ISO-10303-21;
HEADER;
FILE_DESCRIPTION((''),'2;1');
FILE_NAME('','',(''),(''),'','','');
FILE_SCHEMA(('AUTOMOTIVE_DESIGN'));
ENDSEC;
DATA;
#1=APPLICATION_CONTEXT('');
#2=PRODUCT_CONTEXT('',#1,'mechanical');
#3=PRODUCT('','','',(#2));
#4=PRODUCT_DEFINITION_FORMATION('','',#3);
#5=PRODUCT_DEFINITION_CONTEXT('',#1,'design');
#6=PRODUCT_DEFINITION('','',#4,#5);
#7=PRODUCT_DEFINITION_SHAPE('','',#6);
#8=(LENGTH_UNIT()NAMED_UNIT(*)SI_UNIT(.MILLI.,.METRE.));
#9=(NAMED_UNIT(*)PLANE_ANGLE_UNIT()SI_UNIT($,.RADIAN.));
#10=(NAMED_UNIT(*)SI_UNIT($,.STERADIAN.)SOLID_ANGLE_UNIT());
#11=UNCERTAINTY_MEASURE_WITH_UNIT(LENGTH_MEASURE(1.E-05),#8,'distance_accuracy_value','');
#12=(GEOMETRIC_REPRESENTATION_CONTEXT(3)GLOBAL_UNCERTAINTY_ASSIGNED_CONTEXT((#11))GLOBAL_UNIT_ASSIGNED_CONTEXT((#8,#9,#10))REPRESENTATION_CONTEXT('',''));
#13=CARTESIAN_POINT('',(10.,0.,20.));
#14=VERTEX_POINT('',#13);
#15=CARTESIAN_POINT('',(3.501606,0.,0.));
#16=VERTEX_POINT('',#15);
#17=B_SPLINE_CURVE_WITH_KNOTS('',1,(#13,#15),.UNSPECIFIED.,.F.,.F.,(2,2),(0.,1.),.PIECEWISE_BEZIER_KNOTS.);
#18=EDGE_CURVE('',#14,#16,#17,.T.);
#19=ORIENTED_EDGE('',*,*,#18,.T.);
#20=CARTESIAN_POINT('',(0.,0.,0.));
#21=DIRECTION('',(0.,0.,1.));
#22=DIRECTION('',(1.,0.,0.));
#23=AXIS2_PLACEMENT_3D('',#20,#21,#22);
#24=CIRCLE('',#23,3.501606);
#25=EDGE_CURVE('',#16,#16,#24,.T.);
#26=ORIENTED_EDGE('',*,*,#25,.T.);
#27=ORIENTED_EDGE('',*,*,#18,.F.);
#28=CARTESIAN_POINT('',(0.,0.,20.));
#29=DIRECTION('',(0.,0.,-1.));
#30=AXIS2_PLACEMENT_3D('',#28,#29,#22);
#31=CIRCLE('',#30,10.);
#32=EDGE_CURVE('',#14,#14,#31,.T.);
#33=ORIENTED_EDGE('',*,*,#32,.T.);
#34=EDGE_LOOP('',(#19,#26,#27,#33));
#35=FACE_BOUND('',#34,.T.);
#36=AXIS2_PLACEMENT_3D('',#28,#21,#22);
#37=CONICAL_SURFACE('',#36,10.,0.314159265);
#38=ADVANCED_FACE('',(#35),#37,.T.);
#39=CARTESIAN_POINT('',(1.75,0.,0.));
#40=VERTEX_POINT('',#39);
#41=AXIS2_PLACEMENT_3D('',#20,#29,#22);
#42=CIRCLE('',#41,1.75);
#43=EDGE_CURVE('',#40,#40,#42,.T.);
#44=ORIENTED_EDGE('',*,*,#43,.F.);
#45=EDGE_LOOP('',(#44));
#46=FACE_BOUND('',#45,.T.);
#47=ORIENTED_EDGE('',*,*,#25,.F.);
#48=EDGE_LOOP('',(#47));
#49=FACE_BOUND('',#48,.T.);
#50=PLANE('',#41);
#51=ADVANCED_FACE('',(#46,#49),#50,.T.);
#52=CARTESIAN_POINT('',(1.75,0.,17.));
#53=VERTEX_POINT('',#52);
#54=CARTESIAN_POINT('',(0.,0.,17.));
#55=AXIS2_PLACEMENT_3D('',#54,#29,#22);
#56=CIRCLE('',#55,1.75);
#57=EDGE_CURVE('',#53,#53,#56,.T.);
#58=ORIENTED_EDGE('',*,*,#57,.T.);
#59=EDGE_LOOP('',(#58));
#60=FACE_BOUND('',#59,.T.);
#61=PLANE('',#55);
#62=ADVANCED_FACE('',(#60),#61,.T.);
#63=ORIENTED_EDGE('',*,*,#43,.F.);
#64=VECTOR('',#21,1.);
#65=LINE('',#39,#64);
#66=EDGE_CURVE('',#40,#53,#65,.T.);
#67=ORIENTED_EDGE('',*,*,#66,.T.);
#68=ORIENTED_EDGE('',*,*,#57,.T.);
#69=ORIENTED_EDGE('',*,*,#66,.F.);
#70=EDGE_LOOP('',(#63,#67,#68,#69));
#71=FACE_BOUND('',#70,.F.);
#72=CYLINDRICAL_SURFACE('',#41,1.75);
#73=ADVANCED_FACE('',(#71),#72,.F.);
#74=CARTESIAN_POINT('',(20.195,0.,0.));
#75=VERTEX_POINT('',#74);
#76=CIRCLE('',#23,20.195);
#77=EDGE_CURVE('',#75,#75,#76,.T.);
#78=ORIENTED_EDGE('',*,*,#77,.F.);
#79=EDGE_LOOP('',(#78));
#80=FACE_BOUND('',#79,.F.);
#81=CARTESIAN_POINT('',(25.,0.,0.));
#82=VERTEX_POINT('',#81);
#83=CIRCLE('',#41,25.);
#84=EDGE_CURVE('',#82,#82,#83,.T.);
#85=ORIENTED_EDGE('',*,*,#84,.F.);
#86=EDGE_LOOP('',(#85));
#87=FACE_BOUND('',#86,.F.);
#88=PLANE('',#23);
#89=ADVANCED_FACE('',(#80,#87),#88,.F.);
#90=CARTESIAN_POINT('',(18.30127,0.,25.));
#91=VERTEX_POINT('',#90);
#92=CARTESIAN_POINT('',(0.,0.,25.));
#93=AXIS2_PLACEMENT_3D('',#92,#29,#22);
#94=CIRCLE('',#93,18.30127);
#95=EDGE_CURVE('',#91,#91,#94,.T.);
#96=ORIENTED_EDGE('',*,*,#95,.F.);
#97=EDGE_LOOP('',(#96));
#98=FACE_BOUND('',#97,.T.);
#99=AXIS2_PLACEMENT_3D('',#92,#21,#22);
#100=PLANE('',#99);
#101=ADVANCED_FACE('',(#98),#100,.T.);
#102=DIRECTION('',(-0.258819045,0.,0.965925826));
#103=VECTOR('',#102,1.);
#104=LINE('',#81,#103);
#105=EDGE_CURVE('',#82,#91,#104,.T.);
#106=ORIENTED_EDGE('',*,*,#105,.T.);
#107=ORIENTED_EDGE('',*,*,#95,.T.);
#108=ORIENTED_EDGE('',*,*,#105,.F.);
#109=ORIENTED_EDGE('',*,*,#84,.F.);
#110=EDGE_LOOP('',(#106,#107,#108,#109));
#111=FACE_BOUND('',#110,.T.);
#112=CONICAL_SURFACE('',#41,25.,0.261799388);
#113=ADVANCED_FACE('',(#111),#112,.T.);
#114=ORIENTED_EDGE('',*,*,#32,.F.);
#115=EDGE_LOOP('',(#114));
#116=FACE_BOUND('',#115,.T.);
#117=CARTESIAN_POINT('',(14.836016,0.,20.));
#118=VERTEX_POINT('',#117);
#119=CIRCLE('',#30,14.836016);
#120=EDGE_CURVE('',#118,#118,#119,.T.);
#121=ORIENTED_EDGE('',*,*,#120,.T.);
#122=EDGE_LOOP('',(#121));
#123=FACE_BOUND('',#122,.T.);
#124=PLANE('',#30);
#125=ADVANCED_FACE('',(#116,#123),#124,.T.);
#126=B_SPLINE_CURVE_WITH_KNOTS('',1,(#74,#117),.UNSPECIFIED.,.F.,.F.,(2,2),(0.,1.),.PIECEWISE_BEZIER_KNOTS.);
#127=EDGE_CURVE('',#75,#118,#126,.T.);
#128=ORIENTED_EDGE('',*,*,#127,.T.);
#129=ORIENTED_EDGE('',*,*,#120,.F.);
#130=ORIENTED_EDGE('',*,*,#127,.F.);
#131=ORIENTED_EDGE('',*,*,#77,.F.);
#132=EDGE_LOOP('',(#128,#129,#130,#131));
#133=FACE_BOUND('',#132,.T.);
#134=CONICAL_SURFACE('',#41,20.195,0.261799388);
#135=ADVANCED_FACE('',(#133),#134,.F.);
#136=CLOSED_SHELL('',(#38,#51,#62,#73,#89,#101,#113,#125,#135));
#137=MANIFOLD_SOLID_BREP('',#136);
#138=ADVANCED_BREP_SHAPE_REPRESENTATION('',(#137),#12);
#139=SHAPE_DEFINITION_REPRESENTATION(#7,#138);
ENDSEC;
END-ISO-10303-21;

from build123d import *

# Parameters (mm, degrees)
SKETCH_R        = 25
PAD_DEPTH       = 25
PAD_TAPER       = 15
SKETCH001_R     = 20.195
POCKET_DEPTH    = 20
POCKET_TAPER    = 15
SKETCH002_R     = 10
PAD001_DEPTH    = 20
PAD001_TAPER    = 18
SKETCH003_R     = 1.75
POCKET001_DEPTH = 17


with BuildPart() as part:
    # Sketch → Pad (new body)
    with BuildSketch(Plane.XY):
        Circle(SKETCH_R)
    extrude(amount=PAD_DEPTH, taper=PAD_TAPER)

    # Sketch001 (on Face2 of Pad) → Pocket (cut)
    with BuildSketch(Plane(origin=(0, 0, 0), x_dir=(1, 0, 0), z_dir=(0, 0, -1))):
        Circle(SKETCH001_R)
    extrude(amount=-POCKET_DEPTH, taper=POCKET_TAPER, mode=Mode.SUBTRACT)

    # Sketch002 (on Face5 of Pocket) → Pad001 (join)
    with BuildSketch(Plane(origin=(0, 0, 20), x_dir=(1, 0, 0), z_dir=(0, 0, -1))):
        Circle(SKETCH002_R)
    extrude(amount=PAD001_DEPTH, taper=PAD001_TAPER)

    # Sketch003 (on Face7 of Pad001) → Pocket001 (cut)
    with BuildSketch(Plane(origin=(0, 0, 0), x_dir=(1, 0, 0), z_dir=(0, 0, -1))):
        Circle(SKETCH003_R)
    extrude(amount=-POCKET001_DEPTH, mode=Mode.SUBTRACT)


solid = part.part
